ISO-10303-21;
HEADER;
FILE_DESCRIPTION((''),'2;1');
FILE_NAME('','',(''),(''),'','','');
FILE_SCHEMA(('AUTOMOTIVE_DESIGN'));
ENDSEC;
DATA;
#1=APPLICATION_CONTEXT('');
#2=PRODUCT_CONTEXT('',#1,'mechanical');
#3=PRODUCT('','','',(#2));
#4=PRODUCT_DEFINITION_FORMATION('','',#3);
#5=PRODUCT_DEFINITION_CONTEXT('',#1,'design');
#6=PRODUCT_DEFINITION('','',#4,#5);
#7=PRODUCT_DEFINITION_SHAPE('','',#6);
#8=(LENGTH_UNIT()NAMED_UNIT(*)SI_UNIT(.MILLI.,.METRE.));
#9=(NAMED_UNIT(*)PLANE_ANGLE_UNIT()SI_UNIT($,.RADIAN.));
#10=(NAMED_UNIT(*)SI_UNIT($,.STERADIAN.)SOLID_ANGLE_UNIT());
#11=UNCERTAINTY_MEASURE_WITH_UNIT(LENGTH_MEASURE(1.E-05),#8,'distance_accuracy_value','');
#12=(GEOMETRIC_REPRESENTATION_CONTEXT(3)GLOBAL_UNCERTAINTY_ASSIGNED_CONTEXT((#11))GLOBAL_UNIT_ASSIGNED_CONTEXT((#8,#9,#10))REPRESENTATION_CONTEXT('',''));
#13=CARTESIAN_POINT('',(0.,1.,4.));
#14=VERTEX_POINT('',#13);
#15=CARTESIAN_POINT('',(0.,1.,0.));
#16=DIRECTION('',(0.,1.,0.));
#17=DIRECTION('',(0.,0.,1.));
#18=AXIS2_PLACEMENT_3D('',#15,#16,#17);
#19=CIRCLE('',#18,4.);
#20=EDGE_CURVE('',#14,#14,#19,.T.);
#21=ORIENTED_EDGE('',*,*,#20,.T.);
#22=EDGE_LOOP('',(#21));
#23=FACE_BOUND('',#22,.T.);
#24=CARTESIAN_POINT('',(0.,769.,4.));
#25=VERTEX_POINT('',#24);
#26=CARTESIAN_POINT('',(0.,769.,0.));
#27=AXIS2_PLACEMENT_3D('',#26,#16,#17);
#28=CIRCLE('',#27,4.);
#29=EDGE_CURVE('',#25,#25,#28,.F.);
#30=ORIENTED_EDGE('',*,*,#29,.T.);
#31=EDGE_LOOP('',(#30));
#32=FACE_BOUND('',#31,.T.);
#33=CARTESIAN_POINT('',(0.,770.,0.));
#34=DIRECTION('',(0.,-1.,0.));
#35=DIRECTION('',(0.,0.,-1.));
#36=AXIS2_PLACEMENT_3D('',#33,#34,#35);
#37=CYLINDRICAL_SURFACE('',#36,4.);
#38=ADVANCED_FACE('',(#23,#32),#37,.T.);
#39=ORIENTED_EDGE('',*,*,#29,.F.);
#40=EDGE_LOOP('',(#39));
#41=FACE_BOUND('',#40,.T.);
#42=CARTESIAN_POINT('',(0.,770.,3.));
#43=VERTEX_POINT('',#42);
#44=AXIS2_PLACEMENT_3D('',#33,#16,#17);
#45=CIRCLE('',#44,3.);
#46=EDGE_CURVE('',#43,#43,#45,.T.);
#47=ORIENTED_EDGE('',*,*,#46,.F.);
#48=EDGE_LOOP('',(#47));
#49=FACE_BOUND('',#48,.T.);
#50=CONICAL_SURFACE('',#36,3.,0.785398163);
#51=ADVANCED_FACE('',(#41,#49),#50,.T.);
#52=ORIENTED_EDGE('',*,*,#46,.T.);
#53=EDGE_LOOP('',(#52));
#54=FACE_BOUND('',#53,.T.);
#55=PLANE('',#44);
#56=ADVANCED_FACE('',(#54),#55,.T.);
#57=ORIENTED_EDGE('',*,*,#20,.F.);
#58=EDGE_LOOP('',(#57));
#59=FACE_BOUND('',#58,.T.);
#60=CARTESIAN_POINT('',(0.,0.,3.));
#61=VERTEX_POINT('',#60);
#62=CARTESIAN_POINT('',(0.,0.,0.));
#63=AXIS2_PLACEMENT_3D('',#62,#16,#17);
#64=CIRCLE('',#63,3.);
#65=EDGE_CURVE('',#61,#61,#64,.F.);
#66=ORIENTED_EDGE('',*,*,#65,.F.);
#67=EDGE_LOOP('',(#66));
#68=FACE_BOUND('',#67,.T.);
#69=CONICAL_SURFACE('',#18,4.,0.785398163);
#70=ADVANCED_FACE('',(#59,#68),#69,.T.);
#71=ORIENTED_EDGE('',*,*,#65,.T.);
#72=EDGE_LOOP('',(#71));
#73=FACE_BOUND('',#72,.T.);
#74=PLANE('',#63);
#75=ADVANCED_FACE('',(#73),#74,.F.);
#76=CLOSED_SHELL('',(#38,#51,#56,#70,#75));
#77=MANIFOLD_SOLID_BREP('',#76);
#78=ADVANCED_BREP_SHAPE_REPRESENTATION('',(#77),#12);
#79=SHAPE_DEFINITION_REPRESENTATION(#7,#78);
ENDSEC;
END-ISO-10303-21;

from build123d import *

# Parameters (mm, degrees)
SKETCH_1_R      = 4
EXTRUDE_1_DEPTH = 770
CHAMFER_1_SIZE  = 1


with BuildPart() as part:
    # 草图1 → 凸台-拉伸1 (new body)
    with BuildSketch(Plane(origin=(0, 0, 0), x_dir=(1, 0, 0), z_dir=(0, 1, 0))):
        with Locations(Location((0, 0, 0), (0, 0, 270))):
            Circle(SKETCH_1_R)
    extrude(amount=EXTRUDE_1_DEPTH)

    # 倒角1
    chamfer_1_edges = [part.edges().sort_by_distance(p)[0] for p in [
        (0, 0, -4),
        (0, 770, -4),
    ]]
    chamfer(chamfer_1_edges, length=CHAMFER_1_SIZE)


solid = part.part
